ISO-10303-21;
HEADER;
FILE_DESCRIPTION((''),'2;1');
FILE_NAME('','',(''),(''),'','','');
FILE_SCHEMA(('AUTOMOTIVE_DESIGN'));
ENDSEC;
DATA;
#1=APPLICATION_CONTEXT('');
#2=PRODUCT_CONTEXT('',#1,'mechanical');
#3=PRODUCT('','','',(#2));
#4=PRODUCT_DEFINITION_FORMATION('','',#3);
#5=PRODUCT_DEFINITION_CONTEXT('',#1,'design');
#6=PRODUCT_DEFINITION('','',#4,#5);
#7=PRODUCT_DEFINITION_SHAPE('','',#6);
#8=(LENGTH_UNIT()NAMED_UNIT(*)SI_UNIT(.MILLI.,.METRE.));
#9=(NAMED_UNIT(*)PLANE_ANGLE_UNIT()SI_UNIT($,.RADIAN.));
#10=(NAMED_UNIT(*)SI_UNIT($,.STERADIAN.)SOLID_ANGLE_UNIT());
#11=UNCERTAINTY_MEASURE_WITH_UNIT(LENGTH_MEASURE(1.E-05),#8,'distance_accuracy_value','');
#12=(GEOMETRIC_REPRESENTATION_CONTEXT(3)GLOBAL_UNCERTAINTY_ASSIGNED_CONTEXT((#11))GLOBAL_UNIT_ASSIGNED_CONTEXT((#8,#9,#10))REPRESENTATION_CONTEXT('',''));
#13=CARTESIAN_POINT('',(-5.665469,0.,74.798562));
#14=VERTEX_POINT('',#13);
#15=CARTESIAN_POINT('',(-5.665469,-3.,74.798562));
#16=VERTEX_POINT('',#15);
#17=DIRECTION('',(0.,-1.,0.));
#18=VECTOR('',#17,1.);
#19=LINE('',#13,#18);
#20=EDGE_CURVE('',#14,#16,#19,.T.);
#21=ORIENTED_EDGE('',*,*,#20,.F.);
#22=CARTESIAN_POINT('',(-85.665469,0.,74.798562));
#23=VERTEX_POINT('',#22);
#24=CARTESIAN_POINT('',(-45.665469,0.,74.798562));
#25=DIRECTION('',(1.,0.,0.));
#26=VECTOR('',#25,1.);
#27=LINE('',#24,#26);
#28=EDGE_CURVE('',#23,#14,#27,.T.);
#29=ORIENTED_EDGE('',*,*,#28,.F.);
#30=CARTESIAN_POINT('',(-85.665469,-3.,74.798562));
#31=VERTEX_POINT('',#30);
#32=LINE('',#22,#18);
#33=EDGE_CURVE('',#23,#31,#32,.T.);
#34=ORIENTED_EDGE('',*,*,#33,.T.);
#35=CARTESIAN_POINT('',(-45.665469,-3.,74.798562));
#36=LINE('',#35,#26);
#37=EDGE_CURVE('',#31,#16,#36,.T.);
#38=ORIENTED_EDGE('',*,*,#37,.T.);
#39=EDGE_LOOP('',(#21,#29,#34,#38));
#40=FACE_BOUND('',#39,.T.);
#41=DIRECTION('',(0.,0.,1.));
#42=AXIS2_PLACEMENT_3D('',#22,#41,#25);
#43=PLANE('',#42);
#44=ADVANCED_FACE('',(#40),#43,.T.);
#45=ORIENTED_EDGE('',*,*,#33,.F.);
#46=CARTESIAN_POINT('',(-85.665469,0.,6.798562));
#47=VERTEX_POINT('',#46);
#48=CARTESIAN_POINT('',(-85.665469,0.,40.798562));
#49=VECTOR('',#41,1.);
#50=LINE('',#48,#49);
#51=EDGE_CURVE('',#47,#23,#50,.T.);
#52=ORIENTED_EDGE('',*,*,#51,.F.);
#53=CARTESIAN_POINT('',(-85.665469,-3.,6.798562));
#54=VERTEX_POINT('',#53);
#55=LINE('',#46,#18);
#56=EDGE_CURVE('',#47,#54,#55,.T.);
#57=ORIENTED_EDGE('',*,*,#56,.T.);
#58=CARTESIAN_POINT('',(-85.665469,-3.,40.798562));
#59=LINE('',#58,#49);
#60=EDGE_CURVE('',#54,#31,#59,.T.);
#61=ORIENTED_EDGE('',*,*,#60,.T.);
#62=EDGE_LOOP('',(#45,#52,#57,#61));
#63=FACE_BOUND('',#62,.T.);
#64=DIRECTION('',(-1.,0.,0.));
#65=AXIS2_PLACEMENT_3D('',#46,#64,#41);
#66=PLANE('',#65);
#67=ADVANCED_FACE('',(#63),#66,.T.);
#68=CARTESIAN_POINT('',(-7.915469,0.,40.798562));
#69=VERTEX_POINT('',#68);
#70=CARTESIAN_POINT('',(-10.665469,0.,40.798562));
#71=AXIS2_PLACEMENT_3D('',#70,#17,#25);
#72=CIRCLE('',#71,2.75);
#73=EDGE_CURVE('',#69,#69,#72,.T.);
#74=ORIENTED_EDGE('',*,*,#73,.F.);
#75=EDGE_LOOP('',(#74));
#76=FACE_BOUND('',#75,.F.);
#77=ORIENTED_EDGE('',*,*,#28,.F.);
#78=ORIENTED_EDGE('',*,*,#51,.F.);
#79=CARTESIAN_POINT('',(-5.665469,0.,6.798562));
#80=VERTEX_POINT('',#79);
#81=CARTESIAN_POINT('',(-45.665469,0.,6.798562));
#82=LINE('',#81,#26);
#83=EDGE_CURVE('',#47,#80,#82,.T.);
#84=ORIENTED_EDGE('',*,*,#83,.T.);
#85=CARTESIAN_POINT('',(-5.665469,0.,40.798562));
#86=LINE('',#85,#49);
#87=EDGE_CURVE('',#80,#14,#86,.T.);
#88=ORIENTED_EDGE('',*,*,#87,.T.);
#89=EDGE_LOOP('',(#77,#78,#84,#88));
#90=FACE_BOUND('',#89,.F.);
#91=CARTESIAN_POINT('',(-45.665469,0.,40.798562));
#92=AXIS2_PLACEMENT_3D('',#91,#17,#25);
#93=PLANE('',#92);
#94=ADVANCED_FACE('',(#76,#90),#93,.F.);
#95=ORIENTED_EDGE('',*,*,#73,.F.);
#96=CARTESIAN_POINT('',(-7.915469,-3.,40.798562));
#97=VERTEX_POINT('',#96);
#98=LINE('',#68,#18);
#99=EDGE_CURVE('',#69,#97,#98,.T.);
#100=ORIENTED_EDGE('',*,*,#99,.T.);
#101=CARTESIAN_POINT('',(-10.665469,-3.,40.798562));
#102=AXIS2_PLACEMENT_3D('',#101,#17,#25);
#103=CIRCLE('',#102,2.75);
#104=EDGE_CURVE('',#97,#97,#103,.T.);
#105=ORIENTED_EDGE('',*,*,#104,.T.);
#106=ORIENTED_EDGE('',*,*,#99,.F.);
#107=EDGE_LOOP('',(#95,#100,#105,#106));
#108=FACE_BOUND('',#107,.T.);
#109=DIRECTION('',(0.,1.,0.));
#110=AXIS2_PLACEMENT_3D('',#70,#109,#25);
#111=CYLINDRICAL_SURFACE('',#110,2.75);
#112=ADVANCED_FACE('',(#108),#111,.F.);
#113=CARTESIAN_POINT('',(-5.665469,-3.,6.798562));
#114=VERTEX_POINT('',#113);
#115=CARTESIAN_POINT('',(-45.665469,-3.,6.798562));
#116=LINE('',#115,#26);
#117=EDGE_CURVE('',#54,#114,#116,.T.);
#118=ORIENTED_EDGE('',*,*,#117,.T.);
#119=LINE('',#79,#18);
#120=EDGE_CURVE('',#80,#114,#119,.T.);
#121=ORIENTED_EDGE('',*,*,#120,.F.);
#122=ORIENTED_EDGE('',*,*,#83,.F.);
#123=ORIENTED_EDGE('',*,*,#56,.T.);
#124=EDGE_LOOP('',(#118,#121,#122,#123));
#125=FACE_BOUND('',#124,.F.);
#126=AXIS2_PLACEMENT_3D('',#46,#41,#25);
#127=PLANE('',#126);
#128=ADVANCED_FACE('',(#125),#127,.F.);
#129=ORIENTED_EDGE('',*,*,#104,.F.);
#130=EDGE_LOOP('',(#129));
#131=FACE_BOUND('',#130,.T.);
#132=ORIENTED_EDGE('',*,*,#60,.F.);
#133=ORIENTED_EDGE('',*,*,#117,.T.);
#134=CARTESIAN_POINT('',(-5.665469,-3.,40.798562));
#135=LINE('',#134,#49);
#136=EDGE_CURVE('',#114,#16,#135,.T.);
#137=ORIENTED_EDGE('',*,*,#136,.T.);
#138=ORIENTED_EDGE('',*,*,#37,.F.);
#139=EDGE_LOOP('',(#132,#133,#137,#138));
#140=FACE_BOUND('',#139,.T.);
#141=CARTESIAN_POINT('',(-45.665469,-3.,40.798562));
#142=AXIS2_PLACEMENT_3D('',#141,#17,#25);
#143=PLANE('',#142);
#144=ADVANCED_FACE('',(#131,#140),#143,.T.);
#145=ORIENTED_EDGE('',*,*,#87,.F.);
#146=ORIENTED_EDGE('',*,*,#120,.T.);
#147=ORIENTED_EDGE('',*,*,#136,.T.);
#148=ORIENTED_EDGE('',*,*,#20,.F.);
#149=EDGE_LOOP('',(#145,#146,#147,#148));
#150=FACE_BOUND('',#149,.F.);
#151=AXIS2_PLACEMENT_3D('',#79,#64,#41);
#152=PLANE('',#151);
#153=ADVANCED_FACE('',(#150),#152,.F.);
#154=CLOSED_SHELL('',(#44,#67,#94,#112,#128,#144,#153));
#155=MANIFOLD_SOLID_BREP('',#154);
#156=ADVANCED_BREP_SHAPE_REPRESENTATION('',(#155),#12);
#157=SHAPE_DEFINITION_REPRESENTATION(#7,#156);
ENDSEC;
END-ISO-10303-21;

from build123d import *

# Parameters (mm, degrees)
F0_W     = 80
F0_H     = 68
F0_R     = 2.75
F1_DEPTH = 3
F3_ANGLE = 180


with BuildPart() as f1:
    # F0 (on Front) → F1 (new body)
    with BuildSketch(Plane.XZ):
        with Locations((-45.665469, 40.798562)):
            Rectangle(F0_W, F0_H)
        with Locations((-10.665469, 40.798562)):
            Circle(F0_R, mode=Mode.SUBTRACT)
    extrude(amount=F1_DEPTH)


with BuildPart() as f3_1:
    # F3: copy of F1
    add(f1.part.rotate(Axis((-5.665469, -1.5, 40.798562), (0, 1, 0)), F3_ANGLE))


solid = f1.part
